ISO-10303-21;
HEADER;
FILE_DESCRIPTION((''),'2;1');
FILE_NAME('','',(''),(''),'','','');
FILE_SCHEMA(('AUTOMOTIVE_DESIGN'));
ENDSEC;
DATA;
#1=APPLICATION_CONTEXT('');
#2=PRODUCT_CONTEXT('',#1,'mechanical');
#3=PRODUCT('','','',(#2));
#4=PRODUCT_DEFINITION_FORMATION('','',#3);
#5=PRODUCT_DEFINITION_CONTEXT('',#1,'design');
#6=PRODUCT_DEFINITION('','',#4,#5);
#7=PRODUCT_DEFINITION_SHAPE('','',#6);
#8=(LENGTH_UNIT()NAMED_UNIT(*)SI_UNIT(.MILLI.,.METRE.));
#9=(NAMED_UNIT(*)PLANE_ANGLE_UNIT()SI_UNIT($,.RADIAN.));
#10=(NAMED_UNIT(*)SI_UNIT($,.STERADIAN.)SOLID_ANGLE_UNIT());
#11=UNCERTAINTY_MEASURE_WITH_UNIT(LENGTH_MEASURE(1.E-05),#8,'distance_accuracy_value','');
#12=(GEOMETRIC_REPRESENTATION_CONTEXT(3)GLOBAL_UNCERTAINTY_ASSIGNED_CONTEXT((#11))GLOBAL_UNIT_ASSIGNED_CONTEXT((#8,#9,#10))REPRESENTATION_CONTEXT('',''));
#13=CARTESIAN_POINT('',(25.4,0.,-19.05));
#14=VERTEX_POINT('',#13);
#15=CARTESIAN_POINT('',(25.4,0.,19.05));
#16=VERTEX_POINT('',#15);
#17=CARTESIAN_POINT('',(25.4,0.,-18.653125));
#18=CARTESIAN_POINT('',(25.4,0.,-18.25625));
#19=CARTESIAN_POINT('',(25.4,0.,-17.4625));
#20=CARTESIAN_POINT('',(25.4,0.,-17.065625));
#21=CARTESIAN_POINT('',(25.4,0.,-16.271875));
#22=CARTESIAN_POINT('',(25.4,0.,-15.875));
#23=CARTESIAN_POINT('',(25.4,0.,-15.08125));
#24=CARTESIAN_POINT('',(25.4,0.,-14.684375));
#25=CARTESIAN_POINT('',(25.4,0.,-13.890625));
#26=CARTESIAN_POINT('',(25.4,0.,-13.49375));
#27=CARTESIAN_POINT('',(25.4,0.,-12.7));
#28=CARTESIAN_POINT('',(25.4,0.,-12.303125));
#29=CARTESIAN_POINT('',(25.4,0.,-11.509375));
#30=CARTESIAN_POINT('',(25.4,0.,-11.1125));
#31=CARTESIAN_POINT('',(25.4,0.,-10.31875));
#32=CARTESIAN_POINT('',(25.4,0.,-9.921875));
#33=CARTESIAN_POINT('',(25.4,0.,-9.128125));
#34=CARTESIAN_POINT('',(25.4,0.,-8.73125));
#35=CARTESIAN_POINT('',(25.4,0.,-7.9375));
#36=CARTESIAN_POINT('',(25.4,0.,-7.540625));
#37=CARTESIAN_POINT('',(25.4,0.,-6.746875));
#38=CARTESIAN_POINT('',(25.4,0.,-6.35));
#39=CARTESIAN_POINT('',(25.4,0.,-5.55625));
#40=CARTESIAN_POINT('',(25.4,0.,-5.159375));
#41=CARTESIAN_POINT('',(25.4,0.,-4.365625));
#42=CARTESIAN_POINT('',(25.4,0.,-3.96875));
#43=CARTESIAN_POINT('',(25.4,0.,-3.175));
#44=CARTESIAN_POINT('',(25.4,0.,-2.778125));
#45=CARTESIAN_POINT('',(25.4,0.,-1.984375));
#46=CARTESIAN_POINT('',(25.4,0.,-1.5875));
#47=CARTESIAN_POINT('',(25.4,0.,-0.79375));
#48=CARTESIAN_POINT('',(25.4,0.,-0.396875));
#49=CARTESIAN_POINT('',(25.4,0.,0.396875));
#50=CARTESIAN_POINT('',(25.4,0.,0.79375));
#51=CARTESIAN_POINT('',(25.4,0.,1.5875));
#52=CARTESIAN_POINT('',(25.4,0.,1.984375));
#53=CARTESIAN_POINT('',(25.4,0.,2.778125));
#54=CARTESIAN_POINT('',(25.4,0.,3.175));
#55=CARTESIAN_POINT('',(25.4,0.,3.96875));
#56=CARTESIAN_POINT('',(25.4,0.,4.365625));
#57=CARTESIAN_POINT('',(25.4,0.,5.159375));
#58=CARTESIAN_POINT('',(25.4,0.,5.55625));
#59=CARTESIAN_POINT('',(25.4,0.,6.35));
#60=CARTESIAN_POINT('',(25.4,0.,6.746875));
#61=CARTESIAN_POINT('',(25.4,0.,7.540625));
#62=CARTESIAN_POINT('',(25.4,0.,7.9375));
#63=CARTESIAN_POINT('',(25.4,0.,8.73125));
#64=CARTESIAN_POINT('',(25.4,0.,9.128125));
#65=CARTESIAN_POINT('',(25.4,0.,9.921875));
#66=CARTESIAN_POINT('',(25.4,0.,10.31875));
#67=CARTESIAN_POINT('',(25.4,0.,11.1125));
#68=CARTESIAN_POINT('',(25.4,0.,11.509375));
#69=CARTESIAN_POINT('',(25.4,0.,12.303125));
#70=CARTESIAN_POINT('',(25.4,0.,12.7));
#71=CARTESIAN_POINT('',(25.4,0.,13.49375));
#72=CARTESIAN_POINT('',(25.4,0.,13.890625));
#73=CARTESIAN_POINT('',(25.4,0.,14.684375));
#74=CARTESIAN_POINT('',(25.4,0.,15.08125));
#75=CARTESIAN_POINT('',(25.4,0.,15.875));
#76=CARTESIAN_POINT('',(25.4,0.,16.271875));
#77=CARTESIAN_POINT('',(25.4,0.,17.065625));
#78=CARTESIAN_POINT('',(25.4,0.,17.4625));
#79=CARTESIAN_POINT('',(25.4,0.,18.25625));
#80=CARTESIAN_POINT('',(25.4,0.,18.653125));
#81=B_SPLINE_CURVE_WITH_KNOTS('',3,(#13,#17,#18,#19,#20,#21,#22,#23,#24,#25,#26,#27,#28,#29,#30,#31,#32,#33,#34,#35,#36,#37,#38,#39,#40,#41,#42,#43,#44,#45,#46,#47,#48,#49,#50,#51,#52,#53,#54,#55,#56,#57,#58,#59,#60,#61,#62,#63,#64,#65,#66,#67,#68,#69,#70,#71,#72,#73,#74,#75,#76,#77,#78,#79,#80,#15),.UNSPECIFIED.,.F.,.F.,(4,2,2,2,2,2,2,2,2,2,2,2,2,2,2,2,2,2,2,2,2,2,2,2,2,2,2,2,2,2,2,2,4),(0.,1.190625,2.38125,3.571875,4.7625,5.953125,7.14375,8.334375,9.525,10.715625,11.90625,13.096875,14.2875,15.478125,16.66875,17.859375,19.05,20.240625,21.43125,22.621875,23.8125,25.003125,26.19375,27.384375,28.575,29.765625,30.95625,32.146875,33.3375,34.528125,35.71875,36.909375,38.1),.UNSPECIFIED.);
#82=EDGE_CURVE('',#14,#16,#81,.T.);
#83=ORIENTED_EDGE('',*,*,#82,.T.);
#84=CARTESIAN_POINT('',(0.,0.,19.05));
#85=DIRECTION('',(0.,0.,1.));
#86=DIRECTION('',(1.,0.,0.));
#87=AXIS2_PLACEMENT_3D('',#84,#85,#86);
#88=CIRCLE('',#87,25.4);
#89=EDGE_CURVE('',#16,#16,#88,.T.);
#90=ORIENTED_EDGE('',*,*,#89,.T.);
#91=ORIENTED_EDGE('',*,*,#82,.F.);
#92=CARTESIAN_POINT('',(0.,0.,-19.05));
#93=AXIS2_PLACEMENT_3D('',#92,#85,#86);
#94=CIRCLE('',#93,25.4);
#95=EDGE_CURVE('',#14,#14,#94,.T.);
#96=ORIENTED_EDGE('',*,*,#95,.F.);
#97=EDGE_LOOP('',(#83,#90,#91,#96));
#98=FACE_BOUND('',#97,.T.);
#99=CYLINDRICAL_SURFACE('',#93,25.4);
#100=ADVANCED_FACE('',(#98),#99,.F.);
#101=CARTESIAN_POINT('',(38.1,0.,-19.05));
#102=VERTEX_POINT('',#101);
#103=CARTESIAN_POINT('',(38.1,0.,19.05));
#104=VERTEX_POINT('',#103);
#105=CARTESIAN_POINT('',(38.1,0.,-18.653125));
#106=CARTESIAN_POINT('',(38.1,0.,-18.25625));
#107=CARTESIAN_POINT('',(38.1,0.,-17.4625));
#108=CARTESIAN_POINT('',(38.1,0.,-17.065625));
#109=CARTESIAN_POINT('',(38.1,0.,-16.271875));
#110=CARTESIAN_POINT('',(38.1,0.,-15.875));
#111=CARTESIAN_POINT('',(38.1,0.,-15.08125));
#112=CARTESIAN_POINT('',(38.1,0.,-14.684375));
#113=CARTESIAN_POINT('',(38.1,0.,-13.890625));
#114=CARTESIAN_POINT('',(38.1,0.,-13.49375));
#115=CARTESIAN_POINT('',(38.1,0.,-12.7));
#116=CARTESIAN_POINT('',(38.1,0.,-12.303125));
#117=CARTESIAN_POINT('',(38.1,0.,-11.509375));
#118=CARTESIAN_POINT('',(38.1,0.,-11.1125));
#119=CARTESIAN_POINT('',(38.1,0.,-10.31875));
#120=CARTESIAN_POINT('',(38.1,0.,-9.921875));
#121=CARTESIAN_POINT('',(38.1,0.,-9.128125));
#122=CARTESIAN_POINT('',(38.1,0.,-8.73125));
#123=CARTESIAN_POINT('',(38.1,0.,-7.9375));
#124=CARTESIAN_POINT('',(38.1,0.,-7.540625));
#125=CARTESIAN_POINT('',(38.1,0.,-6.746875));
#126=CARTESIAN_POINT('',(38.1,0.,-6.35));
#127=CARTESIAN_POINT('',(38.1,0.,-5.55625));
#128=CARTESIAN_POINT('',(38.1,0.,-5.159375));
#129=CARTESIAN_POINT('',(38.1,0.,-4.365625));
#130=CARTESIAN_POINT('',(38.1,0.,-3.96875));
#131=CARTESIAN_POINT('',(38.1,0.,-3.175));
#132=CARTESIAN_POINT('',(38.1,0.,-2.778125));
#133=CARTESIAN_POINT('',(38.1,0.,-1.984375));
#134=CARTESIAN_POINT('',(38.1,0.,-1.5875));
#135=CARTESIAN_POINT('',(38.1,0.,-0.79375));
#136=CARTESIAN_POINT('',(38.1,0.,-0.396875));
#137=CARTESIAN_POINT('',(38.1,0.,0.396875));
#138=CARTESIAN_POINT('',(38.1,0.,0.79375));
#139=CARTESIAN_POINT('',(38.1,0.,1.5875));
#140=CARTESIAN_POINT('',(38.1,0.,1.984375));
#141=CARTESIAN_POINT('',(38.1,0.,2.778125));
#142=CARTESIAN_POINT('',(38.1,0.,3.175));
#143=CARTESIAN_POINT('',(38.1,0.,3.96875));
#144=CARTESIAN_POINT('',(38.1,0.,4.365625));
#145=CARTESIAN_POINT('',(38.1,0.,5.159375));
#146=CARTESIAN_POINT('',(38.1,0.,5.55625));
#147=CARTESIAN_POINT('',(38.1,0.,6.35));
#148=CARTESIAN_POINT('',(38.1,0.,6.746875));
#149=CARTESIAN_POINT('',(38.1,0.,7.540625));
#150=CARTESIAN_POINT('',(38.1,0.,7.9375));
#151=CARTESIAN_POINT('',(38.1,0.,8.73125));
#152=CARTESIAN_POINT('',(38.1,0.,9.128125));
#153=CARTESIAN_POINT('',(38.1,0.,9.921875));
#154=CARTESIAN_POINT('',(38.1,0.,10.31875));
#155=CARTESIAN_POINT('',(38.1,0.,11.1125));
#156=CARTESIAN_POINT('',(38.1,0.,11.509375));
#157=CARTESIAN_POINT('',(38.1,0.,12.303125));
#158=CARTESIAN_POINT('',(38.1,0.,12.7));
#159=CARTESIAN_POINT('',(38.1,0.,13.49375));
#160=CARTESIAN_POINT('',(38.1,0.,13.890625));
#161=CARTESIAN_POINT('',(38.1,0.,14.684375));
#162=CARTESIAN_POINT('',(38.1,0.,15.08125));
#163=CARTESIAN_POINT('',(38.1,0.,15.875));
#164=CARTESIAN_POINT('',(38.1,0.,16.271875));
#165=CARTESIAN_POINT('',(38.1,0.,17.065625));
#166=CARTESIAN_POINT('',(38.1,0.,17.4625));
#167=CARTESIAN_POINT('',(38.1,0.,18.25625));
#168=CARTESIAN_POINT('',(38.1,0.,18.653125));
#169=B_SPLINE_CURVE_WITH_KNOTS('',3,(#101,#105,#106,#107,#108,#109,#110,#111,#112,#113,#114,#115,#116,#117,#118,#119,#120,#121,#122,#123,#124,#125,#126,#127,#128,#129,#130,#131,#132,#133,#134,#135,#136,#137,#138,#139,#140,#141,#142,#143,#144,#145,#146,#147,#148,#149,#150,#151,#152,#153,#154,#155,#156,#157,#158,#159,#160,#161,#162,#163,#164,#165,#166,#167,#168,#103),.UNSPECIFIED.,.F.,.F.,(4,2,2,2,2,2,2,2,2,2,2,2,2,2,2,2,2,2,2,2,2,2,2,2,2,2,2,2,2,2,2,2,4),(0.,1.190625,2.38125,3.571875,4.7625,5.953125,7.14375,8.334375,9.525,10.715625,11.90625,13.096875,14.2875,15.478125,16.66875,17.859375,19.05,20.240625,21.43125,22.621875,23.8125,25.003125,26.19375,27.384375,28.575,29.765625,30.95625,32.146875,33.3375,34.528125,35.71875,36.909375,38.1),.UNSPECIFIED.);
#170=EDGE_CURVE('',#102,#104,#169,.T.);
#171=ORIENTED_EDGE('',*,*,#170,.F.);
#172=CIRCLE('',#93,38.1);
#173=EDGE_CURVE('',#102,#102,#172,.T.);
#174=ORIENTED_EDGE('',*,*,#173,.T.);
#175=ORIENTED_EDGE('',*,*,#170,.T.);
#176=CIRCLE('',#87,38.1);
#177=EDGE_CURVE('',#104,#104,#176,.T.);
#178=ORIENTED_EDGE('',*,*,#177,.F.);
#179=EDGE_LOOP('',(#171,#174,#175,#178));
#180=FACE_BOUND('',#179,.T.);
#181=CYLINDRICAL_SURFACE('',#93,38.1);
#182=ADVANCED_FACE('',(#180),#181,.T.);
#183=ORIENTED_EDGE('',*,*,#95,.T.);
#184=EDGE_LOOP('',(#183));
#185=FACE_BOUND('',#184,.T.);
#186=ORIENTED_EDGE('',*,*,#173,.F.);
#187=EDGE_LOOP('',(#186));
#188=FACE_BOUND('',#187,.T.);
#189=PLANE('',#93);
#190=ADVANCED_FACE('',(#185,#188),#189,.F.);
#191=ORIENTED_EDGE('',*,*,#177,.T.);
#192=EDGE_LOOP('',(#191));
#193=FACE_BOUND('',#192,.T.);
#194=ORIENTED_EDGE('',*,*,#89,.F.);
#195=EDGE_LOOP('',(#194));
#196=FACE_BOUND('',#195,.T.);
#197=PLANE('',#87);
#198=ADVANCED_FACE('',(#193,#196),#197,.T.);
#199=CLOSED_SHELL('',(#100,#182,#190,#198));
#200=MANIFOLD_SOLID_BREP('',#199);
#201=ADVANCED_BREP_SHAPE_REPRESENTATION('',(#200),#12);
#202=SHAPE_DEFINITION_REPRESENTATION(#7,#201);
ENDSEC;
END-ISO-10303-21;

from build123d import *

# Parameters (mm, degrees)
BOSS_EXTRUDE1_START = 19.05
SKETCH1_R           = 38.1
SKETCH1_R_2         = 25.4
BOSS_EXTRUDE1_DEPTH = 38.1


with BuildPart() as part:
    # Sketch1 → Boss-Extrude1 (new body)
    with BuildSketch(Plane.XY.offset(BOSS_EXTRUDE1_START)):
        Circle(SKETCH1_R)
        Circle(SKETCH1_R_2, mode=Mode.SUBTRACT)
    extrude(amount=-BOSS_EXTRUDE1_DEPTH)


solid = part.part
